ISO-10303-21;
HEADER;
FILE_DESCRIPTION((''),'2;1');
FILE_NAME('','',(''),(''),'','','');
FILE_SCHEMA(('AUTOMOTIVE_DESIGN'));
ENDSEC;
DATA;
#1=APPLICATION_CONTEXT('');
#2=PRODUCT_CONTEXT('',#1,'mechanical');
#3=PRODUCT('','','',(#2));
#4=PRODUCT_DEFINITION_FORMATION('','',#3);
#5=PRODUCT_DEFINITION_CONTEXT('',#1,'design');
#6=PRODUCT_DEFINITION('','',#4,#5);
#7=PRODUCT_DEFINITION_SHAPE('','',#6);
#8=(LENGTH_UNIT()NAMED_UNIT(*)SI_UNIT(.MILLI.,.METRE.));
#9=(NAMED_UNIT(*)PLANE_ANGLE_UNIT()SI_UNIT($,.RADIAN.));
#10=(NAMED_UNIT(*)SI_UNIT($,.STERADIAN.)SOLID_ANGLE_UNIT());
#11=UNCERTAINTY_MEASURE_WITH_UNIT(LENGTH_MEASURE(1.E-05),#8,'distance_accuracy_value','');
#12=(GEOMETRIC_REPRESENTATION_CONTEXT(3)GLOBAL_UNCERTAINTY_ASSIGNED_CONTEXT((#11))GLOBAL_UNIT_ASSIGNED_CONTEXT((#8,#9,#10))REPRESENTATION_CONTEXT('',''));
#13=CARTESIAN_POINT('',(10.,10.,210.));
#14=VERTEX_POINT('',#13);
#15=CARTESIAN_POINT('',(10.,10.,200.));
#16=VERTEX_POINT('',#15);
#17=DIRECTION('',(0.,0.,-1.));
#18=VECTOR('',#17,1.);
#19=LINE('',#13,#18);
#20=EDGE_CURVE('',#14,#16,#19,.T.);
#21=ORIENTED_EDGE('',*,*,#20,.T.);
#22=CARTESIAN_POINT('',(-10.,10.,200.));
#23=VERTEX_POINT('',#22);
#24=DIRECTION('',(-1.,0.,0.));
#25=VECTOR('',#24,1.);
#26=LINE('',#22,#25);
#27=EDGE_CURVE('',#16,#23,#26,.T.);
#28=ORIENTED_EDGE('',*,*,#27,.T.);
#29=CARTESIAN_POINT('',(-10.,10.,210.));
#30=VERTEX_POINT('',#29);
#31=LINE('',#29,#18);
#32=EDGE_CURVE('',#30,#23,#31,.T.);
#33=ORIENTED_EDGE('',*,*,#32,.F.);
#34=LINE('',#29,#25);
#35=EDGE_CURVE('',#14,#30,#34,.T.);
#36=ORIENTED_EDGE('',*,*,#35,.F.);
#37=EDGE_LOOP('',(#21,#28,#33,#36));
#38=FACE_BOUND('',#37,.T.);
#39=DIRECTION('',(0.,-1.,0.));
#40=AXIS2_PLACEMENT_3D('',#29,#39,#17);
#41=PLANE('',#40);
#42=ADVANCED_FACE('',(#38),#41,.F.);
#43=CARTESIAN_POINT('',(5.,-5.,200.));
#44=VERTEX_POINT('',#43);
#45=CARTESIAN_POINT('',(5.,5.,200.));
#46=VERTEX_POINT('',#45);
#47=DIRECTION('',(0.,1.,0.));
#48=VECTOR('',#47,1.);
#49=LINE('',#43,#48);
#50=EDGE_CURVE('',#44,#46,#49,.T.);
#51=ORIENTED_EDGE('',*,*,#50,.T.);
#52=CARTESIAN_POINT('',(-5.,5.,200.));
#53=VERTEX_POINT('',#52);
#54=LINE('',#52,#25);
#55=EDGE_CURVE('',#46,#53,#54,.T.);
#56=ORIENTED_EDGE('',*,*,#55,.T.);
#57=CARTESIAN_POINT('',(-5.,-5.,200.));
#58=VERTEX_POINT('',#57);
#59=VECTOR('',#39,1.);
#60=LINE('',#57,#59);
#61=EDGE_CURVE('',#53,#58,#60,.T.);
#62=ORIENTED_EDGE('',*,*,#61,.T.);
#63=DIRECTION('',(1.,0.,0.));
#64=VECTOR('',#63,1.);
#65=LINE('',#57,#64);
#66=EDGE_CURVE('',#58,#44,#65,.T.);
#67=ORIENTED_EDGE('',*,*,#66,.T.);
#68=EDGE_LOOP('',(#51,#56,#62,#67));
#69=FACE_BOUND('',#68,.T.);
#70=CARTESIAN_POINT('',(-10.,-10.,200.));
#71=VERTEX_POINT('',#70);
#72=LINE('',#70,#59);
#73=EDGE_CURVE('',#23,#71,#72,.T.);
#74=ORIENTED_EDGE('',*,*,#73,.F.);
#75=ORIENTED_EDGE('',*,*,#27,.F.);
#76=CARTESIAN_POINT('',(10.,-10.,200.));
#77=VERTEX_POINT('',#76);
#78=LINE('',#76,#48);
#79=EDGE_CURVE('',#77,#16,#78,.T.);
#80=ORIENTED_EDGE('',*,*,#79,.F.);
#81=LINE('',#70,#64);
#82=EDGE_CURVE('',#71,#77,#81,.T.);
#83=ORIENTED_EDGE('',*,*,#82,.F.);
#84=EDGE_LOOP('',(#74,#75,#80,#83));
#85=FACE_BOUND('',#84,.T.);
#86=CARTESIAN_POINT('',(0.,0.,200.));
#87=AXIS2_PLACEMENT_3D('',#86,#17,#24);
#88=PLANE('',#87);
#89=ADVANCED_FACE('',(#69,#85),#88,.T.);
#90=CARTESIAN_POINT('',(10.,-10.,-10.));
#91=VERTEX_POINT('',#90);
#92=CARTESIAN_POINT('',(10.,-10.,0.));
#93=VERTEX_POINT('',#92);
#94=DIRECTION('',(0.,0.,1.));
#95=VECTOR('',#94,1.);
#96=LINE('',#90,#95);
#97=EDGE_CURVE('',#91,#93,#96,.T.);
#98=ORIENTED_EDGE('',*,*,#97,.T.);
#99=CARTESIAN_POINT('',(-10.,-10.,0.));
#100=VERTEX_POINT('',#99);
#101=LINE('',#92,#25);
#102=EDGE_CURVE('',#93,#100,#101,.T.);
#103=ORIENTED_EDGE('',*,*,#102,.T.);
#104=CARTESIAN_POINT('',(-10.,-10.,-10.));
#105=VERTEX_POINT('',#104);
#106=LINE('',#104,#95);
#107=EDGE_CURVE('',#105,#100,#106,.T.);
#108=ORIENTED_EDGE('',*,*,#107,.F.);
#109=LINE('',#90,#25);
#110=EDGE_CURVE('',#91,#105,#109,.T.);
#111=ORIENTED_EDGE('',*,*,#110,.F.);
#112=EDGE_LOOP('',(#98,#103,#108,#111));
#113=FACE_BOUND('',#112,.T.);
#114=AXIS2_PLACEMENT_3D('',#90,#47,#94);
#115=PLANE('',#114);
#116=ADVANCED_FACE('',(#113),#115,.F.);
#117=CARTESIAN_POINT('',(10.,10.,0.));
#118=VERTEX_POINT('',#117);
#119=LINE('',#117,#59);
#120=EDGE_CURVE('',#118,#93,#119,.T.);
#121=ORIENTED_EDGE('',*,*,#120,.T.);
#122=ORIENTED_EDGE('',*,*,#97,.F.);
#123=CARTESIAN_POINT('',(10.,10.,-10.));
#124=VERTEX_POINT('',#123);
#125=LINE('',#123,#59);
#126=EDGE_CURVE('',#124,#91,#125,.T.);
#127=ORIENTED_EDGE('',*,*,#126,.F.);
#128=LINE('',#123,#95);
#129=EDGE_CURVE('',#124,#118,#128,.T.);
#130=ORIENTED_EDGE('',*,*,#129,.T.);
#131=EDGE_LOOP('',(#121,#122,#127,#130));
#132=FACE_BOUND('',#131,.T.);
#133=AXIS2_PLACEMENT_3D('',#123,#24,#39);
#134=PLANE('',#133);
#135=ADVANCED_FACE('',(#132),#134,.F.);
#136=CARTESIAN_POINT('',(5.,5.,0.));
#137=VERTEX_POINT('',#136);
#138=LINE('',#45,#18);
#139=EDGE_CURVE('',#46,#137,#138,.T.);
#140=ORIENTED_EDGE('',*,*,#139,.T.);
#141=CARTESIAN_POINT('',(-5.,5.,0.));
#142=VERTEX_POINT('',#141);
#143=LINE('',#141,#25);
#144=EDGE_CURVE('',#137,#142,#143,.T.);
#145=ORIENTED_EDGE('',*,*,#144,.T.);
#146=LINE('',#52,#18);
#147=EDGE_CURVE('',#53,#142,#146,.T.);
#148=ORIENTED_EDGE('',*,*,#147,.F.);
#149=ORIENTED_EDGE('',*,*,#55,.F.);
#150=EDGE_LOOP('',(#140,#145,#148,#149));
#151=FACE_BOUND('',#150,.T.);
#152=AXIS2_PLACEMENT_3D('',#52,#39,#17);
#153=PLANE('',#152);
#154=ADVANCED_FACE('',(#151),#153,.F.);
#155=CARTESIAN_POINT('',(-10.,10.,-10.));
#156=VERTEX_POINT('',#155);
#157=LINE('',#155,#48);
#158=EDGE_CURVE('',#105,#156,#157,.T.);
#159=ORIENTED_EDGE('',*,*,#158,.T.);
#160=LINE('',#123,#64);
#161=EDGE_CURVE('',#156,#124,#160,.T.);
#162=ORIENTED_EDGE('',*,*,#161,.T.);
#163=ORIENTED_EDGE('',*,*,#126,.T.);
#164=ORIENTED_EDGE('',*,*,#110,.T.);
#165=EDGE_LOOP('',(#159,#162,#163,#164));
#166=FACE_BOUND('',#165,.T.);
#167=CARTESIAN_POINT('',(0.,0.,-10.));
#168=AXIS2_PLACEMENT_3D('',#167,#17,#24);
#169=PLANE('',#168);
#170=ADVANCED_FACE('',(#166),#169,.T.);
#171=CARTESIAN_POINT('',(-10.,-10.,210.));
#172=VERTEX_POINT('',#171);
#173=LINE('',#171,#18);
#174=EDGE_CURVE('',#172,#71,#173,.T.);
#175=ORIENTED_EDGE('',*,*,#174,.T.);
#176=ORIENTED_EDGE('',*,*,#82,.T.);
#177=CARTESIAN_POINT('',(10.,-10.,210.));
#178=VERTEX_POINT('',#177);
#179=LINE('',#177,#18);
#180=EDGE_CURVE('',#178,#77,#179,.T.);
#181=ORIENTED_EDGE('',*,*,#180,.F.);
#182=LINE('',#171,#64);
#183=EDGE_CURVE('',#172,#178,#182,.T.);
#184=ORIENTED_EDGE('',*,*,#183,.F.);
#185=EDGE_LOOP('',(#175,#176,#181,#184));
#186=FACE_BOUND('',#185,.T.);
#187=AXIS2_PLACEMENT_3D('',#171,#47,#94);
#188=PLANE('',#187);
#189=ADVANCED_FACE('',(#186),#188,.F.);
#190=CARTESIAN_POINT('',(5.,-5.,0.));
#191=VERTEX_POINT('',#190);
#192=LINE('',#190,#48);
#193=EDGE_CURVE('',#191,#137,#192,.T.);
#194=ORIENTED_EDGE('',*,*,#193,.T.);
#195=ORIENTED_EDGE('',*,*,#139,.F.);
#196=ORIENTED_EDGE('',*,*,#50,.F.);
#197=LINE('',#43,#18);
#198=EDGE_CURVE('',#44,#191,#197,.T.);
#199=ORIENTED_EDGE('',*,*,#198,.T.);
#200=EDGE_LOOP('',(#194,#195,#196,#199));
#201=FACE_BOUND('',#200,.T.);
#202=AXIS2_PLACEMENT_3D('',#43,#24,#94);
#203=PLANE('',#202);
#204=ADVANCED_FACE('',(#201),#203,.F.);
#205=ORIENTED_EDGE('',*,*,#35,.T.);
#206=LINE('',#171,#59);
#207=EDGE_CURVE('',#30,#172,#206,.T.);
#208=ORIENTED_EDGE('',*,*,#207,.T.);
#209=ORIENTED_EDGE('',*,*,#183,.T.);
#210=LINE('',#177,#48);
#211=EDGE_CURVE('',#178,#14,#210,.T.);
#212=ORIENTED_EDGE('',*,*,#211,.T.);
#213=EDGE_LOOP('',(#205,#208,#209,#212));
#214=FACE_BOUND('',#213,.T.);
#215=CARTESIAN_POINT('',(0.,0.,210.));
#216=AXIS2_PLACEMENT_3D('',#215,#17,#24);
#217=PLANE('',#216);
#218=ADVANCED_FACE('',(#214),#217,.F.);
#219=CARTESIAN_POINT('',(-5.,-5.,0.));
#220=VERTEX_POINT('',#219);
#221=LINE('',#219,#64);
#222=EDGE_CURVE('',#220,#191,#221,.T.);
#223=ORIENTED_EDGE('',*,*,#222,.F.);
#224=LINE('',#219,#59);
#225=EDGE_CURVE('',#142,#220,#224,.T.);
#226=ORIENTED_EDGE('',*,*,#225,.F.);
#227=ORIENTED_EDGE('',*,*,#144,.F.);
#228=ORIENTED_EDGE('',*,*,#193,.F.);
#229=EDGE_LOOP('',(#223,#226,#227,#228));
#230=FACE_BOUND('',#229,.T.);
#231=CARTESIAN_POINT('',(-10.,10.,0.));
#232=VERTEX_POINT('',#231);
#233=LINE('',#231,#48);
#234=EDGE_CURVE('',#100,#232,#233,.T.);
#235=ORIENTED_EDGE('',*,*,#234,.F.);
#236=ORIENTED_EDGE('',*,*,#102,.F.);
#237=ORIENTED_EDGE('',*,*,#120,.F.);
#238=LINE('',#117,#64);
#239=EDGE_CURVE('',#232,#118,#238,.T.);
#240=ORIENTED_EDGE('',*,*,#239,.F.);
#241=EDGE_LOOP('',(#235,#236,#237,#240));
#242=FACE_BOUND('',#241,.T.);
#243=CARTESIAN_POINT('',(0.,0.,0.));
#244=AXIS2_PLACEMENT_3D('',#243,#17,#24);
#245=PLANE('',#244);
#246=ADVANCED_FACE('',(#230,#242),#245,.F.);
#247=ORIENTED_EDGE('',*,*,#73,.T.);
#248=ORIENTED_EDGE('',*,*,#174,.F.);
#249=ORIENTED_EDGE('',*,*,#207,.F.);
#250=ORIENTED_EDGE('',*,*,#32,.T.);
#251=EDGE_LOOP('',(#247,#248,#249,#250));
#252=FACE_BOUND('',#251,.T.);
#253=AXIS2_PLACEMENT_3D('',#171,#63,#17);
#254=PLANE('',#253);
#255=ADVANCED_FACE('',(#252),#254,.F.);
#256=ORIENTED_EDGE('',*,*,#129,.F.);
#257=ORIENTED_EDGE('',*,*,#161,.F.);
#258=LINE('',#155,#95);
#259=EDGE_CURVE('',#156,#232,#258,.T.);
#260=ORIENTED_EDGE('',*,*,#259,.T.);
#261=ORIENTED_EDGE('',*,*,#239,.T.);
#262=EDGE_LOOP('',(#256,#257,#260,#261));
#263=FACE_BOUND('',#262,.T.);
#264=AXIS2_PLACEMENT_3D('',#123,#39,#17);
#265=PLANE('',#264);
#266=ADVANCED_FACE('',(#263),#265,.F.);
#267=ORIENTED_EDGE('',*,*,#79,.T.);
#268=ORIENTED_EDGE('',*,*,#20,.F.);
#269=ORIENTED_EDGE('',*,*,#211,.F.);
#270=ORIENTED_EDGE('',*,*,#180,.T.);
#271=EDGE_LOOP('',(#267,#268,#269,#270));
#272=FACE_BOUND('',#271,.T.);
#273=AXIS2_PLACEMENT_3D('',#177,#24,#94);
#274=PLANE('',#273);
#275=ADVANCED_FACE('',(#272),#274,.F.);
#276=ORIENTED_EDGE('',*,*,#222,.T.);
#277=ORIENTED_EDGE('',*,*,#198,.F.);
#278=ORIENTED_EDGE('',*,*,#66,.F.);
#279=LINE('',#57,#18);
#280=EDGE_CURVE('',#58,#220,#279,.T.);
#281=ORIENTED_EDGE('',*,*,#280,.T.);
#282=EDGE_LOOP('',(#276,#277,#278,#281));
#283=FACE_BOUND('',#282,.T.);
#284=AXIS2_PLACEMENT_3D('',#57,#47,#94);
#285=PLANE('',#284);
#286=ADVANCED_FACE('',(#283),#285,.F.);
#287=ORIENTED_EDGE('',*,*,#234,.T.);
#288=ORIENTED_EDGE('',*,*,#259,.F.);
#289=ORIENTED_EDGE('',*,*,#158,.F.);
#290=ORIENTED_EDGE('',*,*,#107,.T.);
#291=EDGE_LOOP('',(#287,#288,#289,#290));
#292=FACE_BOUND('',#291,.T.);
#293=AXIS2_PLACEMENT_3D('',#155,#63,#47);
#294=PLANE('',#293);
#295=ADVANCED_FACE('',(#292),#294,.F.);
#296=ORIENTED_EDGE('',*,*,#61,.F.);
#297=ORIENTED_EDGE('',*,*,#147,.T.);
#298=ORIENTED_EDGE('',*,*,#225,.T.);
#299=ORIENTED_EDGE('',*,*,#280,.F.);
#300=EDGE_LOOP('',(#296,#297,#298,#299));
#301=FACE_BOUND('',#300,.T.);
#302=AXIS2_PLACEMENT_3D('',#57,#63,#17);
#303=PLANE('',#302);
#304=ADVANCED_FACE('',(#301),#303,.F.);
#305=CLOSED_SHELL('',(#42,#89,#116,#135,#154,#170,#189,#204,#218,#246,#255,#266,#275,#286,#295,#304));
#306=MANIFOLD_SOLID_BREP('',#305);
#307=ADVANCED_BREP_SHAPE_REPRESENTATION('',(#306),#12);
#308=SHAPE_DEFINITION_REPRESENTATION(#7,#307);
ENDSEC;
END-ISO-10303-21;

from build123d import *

# Parameters (mm, degrees)
SKETCH_1_W      = 10
SKETCH_1_H      = 10
EXTRUDE_1_DEPTH = 200
SKETCH_2_W      = 20
SKETCH_2_H      = 20
EXTRUDE_2_DEPTH = 10
SKETCH_3_W      = 20
SKETCH_3_H      = 20
EXTRUDE_3_DEPTH = 10


with BuildPart() as part:
    # 草图1 → 凸台-拉伸1 (new body)
    with BuildSketch(Plane.XY):
        Rectangle(SKETCH_1_W, SKETCH_1_H)
    extrude(amount=EXTRUDE_1_DEPTH)

    # 草图2 → 凸台-拉伸2 (add)
    with BuildSketch(Plane.XY.offset(200)):
        Rectangle(SKETCH_2_W, SKETCH_2_H)
    extrude(amount=EXTRUDE_2_DEPTH)

    # 草图3 → 凸台-拉伸3 (add)
    with BuildSketch(Plane(origin=(0, 0, 0), x_dir=(-1, 0, 0), z_dir=(0, 0, -1))):
        Rectangle(SKETCH_3_W, SKETCH_3_H)
    extrude(amount=EXTRUDE_3_DEPTH)


solid = part.part
